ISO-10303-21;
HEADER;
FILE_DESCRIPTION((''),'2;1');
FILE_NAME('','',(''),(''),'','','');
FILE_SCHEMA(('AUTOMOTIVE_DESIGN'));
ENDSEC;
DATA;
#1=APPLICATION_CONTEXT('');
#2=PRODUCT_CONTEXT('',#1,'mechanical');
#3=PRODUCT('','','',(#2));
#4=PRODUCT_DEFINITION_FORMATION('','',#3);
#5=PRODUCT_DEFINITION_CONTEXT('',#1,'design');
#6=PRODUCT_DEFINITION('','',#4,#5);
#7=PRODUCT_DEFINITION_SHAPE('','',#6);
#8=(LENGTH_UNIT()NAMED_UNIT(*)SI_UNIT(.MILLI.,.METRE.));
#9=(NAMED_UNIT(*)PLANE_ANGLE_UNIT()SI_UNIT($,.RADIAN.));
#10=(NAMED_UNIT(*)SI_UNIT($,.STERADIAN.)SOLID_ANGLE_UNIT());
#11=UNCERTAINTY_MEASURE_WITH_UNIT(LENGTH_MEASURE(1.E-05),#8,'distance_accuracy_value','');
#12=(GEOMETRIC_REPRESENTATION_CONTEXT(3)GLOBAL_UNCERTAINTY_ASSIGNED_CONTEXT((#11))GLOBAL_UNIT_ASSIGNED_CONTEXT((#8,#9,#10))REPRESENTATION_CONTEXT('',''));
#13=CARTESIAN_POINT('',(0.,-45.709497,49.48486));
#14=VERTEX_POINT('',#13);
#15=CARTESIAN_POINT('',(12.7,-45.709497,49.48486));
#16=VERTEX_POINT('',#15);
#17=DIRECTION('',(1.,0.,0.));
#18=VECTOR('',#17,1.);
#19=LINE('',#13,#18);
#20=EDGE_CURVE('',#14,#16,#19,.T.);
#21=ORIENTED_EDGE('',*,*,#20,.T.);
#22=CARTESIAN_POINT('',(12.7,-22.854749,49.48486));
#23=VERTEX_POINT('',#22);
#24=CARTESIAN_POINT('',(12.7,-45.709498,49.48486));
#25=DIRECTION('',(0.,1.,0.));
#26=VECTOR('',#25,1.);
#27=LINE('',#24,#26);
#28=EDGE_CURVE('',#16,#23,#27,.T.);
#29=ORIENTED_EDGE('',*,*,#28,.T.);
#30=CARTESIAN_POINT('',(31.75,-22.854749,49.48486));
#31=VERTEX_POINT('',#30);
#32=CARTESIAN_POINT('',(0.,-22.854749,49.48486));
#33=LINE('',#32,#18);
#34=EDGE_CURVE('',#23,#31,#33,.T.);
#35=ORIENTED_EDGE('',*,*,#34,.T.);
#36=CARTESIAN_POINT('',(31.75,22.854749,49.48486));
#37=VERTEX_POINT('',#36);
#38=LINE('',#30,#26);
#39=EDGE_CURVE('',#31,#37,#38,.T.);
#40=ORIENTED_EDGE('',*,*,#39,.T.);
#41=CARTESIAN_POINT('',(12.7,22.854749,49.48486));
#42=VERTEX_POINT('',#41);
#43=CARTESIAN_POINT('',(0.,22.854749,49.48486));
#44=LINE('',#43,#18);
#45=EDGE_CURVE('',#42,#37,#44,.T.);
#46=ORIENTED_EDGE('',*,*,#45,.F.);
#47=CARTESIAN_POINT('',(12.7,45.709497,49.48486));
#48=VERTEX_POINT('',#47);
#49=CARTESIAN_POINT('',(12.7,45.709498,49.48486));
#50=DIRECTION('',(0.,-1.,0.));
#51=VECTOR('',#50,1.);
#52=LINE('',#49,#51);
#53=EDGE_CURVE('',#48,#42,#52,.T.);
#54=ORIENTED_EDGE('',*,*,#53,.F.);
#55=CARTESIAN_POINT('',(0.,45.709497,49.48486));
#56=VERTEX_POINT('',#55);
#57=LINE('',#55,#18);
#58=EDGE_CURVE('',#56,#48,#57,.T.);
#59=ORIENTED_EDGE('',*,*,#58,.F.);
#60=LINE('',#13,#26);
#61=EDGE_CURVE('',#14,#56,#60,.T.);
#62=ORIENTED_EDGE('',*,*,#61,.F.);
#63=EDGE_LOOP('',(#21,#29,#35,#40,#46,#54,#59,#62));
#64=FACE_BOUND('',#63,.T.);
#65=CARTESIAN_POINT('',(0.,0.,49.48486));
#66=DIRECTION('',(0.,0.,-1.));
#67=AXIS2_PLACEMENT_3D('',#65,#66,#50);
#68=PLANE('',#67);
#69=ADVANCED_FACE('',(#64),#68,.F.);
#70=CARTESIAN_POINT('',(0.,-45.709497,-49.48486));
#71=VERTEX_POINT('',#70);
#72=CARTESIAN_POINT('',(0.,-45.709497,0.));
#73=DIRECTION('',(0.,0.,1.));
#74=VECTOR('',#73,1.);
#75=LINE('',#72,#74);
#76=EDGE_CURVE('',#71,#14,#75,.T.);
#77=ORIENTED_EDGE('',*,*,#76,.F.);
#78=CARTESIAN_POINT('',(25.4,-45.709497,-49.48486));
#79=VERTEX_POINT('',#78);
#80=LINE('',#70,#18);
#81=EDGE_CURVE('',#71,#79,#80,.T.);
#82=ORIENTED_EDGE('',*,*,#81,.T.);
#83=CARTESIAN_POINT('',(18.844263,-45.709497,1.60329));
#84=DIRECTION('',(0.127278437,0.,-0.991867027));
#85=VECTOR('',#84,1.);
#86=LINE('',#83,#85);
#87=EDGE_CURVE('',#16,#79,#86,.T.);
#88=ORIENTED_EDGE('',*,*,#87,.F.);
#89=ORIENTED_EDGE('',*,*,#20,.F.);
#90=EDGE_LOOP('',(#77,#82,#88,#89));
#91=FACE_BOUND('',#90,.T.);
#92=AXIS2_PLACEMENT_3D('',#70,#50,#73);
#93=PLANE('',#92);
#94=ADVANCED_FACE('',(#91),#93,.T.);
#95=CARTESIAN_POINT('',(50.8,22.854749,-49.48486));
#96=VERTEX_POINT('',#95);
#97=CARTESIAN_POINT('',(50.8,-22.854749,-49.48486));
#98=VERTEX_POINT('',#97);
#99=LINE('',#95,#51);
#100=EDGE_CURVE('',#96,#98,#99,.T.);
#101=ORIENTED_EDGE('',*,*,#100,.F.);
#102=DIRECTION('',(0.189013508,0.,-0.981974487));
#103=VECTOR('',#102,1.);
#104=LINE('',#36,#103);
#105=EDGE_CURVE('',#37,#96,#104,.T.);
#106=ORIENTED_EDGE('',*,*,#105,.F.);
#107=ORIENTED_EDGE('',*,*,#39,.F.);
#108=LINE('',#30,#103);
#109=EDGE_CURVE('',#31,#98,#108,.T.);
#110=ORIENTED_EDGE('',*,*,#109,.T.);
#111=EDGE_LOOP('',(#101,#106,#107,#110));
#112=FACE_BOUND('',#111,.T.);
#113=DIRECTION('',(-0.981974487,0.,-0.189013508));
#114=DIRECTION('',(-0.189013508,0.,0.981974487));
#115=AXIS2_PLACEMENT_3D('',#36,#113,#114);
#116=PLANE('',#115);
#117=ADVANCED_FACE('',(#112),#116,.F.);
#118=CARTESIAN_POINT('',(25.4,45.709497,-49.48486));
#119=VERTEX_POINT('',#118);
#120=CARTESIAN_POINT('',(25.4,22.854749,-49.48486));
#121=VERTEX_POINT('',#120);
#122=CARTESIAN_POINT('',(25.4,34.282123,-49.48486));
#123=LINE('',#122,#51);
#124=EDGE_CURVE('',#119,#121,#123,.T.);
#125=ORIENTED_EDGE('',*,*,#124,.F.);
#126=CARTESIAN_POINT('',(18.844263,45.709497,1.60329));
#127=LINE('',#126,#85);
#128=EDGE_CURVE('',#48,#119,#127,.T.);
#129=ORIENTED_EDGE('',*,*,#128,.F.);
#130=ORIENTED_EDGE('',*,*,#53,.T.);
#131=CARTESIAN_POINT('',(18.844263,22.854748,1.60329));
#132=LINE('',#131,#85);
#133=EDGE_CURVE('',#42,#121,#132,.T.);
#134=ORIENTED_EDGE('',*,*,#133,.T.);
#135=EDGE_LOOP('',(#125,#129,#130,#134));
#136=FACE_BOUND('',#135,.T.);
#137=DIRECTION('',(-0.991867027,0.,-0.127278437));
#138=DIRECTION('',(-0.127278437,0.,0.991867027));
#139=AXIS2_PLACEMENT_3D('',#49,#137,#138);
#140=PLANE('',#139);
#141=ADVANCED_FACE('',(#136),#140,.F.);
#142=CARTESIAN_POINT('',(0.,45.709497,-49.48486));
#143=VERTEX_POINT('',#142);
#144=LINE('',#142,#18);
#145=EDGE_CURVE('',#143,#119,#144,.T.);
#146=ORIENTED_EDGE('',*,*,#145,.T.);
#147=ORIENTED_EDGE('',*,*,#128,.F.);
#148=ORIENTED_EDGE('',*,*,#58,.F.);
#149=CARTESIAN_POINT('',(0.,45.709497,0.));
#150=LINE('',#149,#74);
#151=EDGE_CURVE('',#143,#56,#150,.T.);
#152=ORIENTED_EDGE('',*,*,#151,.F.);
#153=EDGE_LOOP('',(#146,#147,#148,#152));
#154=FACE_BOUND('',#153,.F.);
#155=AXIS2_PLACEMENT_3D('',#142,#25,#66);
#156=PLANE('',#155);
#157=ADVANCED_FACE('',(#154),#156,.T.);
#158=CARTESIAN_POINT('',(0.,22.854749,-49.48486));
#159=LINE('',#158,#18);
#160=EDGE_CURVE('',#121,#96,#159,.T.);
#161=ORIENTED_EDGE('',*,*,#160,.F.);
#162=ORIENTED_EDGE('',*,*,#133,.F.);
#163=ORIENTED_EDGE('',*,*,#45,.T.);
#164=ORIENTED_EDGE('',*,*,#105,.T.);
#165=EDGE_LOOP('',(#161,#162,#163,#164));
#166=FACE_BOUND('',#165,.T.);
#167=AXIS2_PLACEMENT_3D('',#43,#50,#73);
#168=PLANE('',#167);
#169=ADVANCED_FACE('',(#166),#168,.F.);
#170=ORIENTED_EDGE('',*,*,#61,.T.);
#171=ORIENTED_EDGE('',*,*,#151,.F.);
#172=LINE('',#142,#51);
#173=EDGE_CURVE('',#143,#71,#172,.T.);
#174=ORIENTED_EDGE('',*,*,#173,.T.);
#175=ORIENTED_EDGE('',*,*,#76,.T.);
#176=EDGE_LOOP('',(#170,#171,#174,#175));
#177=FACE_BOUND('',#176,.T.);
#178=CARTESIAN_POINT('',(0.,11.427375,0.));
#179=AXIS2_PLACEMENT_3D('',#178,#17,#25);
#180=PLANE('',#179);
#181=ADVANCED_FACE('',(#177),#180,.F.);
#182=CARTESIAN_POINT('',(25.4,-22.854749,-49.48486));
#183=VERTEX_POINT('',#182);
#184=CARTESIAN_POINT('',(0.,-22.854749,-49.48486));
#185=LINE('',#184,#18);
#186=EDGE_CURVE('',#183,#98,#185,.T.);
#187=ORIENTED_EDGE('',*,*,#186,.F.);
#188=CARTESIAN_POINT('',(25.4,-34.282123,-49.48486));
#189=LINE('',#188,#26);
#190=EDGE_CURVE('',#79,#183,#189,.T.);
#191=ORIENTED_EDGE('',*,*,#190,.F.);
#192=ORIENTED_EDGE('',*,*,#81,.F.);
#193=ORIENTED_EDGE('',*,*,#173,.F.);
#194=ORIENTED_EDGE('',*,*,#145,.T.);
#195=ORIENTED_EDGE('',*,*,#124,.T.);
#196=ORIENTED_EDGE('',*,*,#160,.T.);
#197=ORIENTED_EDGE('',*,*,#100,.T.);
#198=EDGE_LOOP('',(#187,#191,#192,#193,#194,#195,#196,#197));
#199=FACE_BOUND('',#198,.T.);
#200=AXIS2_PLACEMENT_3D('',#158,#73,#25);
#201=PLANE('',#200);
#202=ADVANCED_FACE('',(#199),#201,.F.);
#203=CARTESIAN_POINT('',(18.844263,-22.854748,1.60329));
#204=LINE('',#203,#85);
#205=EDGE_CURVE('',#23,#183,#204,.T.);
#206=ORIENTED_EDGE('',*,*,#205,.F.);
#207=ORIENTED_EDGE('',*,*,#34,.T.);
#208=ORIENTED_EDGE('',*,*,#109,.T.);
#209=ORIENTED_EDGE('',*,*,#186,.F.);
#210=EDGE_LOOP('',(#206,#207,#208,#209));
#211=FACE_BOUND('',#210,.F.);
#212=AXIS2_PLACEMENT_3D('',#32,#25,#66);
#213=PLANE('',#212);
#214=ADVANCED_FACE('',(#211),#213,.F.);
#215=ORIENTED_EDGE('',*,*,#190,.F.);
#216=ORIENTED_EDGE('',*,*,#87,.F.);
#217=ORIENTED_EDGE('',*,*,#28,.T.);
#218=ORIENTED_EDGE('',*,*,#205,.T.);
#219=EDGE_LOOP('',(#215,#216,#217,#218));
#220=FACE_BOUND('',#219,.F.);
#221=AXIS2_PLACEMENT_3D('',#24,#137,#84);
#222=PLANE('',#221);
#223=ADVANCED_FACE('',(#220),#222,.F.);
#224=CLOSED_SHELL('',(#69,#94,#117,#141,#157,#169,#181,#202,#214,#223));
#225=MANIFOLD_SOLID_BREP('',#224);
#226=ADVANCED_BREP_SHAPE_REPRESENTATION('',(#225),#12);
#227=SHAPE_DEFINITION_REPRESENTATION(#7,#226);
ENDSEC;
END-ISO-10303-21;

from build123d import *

# Parameters (mm, degrees)
F0_W     = 22.854749
F0_H     = 98.96972
F1_DEPTH = 25.4
F3_DEPTH = 22.855749
F4_DEPTH = 50.8
F6_DEPTH = 22.855749


with BuildPart() as f1:
    # F0 (on Right) → F1 (new body)
    with BuildSketch(Plane.YZ):
        with Locations((-34.282123, 0)):
            Rectangle(F0_W, F0_H)
    extrude(amount=F1_DEPTH)

    # F2 (on face) → F3 (cut, through all)
    with BuildSketch(Plane.XZ.offset(45.709498)):
        Polygon((25.4, 49.48486), (12.7, 49.48486), (25.4, -49.48486), align=None)
    extrude(amount=-F3_DEPTH, mode=Mode.SUBTRACT)

    # F0 (on Right) → F4 (join)
    with BuildSketch(Plane.YZ):
        Polygon((0, -49.48486), (0, 0), (0, 49.48486), (-22.854749, 49.48486), (-22.854749, -49.48486), align=None)
    extrude(amount=F4_DEPTH)

    # F5 (on face) → F6 (cut, through all)
    with BuildSketch(Plane.XZ.offset(22.854749)):
        Polygon((50.8, 49.48486), (31.75, 49.48486), (50.8, -49.48486), align=None)
    extrude(amount=-F6_DEPTH, mode=Mode.SUBTRACT)

    # F7: F1 across plane


with BuildPart() as f1_1:
    add(f1.part)
    add(f1.part.mirror(Plane.XZ))


solid = f1_1.part
